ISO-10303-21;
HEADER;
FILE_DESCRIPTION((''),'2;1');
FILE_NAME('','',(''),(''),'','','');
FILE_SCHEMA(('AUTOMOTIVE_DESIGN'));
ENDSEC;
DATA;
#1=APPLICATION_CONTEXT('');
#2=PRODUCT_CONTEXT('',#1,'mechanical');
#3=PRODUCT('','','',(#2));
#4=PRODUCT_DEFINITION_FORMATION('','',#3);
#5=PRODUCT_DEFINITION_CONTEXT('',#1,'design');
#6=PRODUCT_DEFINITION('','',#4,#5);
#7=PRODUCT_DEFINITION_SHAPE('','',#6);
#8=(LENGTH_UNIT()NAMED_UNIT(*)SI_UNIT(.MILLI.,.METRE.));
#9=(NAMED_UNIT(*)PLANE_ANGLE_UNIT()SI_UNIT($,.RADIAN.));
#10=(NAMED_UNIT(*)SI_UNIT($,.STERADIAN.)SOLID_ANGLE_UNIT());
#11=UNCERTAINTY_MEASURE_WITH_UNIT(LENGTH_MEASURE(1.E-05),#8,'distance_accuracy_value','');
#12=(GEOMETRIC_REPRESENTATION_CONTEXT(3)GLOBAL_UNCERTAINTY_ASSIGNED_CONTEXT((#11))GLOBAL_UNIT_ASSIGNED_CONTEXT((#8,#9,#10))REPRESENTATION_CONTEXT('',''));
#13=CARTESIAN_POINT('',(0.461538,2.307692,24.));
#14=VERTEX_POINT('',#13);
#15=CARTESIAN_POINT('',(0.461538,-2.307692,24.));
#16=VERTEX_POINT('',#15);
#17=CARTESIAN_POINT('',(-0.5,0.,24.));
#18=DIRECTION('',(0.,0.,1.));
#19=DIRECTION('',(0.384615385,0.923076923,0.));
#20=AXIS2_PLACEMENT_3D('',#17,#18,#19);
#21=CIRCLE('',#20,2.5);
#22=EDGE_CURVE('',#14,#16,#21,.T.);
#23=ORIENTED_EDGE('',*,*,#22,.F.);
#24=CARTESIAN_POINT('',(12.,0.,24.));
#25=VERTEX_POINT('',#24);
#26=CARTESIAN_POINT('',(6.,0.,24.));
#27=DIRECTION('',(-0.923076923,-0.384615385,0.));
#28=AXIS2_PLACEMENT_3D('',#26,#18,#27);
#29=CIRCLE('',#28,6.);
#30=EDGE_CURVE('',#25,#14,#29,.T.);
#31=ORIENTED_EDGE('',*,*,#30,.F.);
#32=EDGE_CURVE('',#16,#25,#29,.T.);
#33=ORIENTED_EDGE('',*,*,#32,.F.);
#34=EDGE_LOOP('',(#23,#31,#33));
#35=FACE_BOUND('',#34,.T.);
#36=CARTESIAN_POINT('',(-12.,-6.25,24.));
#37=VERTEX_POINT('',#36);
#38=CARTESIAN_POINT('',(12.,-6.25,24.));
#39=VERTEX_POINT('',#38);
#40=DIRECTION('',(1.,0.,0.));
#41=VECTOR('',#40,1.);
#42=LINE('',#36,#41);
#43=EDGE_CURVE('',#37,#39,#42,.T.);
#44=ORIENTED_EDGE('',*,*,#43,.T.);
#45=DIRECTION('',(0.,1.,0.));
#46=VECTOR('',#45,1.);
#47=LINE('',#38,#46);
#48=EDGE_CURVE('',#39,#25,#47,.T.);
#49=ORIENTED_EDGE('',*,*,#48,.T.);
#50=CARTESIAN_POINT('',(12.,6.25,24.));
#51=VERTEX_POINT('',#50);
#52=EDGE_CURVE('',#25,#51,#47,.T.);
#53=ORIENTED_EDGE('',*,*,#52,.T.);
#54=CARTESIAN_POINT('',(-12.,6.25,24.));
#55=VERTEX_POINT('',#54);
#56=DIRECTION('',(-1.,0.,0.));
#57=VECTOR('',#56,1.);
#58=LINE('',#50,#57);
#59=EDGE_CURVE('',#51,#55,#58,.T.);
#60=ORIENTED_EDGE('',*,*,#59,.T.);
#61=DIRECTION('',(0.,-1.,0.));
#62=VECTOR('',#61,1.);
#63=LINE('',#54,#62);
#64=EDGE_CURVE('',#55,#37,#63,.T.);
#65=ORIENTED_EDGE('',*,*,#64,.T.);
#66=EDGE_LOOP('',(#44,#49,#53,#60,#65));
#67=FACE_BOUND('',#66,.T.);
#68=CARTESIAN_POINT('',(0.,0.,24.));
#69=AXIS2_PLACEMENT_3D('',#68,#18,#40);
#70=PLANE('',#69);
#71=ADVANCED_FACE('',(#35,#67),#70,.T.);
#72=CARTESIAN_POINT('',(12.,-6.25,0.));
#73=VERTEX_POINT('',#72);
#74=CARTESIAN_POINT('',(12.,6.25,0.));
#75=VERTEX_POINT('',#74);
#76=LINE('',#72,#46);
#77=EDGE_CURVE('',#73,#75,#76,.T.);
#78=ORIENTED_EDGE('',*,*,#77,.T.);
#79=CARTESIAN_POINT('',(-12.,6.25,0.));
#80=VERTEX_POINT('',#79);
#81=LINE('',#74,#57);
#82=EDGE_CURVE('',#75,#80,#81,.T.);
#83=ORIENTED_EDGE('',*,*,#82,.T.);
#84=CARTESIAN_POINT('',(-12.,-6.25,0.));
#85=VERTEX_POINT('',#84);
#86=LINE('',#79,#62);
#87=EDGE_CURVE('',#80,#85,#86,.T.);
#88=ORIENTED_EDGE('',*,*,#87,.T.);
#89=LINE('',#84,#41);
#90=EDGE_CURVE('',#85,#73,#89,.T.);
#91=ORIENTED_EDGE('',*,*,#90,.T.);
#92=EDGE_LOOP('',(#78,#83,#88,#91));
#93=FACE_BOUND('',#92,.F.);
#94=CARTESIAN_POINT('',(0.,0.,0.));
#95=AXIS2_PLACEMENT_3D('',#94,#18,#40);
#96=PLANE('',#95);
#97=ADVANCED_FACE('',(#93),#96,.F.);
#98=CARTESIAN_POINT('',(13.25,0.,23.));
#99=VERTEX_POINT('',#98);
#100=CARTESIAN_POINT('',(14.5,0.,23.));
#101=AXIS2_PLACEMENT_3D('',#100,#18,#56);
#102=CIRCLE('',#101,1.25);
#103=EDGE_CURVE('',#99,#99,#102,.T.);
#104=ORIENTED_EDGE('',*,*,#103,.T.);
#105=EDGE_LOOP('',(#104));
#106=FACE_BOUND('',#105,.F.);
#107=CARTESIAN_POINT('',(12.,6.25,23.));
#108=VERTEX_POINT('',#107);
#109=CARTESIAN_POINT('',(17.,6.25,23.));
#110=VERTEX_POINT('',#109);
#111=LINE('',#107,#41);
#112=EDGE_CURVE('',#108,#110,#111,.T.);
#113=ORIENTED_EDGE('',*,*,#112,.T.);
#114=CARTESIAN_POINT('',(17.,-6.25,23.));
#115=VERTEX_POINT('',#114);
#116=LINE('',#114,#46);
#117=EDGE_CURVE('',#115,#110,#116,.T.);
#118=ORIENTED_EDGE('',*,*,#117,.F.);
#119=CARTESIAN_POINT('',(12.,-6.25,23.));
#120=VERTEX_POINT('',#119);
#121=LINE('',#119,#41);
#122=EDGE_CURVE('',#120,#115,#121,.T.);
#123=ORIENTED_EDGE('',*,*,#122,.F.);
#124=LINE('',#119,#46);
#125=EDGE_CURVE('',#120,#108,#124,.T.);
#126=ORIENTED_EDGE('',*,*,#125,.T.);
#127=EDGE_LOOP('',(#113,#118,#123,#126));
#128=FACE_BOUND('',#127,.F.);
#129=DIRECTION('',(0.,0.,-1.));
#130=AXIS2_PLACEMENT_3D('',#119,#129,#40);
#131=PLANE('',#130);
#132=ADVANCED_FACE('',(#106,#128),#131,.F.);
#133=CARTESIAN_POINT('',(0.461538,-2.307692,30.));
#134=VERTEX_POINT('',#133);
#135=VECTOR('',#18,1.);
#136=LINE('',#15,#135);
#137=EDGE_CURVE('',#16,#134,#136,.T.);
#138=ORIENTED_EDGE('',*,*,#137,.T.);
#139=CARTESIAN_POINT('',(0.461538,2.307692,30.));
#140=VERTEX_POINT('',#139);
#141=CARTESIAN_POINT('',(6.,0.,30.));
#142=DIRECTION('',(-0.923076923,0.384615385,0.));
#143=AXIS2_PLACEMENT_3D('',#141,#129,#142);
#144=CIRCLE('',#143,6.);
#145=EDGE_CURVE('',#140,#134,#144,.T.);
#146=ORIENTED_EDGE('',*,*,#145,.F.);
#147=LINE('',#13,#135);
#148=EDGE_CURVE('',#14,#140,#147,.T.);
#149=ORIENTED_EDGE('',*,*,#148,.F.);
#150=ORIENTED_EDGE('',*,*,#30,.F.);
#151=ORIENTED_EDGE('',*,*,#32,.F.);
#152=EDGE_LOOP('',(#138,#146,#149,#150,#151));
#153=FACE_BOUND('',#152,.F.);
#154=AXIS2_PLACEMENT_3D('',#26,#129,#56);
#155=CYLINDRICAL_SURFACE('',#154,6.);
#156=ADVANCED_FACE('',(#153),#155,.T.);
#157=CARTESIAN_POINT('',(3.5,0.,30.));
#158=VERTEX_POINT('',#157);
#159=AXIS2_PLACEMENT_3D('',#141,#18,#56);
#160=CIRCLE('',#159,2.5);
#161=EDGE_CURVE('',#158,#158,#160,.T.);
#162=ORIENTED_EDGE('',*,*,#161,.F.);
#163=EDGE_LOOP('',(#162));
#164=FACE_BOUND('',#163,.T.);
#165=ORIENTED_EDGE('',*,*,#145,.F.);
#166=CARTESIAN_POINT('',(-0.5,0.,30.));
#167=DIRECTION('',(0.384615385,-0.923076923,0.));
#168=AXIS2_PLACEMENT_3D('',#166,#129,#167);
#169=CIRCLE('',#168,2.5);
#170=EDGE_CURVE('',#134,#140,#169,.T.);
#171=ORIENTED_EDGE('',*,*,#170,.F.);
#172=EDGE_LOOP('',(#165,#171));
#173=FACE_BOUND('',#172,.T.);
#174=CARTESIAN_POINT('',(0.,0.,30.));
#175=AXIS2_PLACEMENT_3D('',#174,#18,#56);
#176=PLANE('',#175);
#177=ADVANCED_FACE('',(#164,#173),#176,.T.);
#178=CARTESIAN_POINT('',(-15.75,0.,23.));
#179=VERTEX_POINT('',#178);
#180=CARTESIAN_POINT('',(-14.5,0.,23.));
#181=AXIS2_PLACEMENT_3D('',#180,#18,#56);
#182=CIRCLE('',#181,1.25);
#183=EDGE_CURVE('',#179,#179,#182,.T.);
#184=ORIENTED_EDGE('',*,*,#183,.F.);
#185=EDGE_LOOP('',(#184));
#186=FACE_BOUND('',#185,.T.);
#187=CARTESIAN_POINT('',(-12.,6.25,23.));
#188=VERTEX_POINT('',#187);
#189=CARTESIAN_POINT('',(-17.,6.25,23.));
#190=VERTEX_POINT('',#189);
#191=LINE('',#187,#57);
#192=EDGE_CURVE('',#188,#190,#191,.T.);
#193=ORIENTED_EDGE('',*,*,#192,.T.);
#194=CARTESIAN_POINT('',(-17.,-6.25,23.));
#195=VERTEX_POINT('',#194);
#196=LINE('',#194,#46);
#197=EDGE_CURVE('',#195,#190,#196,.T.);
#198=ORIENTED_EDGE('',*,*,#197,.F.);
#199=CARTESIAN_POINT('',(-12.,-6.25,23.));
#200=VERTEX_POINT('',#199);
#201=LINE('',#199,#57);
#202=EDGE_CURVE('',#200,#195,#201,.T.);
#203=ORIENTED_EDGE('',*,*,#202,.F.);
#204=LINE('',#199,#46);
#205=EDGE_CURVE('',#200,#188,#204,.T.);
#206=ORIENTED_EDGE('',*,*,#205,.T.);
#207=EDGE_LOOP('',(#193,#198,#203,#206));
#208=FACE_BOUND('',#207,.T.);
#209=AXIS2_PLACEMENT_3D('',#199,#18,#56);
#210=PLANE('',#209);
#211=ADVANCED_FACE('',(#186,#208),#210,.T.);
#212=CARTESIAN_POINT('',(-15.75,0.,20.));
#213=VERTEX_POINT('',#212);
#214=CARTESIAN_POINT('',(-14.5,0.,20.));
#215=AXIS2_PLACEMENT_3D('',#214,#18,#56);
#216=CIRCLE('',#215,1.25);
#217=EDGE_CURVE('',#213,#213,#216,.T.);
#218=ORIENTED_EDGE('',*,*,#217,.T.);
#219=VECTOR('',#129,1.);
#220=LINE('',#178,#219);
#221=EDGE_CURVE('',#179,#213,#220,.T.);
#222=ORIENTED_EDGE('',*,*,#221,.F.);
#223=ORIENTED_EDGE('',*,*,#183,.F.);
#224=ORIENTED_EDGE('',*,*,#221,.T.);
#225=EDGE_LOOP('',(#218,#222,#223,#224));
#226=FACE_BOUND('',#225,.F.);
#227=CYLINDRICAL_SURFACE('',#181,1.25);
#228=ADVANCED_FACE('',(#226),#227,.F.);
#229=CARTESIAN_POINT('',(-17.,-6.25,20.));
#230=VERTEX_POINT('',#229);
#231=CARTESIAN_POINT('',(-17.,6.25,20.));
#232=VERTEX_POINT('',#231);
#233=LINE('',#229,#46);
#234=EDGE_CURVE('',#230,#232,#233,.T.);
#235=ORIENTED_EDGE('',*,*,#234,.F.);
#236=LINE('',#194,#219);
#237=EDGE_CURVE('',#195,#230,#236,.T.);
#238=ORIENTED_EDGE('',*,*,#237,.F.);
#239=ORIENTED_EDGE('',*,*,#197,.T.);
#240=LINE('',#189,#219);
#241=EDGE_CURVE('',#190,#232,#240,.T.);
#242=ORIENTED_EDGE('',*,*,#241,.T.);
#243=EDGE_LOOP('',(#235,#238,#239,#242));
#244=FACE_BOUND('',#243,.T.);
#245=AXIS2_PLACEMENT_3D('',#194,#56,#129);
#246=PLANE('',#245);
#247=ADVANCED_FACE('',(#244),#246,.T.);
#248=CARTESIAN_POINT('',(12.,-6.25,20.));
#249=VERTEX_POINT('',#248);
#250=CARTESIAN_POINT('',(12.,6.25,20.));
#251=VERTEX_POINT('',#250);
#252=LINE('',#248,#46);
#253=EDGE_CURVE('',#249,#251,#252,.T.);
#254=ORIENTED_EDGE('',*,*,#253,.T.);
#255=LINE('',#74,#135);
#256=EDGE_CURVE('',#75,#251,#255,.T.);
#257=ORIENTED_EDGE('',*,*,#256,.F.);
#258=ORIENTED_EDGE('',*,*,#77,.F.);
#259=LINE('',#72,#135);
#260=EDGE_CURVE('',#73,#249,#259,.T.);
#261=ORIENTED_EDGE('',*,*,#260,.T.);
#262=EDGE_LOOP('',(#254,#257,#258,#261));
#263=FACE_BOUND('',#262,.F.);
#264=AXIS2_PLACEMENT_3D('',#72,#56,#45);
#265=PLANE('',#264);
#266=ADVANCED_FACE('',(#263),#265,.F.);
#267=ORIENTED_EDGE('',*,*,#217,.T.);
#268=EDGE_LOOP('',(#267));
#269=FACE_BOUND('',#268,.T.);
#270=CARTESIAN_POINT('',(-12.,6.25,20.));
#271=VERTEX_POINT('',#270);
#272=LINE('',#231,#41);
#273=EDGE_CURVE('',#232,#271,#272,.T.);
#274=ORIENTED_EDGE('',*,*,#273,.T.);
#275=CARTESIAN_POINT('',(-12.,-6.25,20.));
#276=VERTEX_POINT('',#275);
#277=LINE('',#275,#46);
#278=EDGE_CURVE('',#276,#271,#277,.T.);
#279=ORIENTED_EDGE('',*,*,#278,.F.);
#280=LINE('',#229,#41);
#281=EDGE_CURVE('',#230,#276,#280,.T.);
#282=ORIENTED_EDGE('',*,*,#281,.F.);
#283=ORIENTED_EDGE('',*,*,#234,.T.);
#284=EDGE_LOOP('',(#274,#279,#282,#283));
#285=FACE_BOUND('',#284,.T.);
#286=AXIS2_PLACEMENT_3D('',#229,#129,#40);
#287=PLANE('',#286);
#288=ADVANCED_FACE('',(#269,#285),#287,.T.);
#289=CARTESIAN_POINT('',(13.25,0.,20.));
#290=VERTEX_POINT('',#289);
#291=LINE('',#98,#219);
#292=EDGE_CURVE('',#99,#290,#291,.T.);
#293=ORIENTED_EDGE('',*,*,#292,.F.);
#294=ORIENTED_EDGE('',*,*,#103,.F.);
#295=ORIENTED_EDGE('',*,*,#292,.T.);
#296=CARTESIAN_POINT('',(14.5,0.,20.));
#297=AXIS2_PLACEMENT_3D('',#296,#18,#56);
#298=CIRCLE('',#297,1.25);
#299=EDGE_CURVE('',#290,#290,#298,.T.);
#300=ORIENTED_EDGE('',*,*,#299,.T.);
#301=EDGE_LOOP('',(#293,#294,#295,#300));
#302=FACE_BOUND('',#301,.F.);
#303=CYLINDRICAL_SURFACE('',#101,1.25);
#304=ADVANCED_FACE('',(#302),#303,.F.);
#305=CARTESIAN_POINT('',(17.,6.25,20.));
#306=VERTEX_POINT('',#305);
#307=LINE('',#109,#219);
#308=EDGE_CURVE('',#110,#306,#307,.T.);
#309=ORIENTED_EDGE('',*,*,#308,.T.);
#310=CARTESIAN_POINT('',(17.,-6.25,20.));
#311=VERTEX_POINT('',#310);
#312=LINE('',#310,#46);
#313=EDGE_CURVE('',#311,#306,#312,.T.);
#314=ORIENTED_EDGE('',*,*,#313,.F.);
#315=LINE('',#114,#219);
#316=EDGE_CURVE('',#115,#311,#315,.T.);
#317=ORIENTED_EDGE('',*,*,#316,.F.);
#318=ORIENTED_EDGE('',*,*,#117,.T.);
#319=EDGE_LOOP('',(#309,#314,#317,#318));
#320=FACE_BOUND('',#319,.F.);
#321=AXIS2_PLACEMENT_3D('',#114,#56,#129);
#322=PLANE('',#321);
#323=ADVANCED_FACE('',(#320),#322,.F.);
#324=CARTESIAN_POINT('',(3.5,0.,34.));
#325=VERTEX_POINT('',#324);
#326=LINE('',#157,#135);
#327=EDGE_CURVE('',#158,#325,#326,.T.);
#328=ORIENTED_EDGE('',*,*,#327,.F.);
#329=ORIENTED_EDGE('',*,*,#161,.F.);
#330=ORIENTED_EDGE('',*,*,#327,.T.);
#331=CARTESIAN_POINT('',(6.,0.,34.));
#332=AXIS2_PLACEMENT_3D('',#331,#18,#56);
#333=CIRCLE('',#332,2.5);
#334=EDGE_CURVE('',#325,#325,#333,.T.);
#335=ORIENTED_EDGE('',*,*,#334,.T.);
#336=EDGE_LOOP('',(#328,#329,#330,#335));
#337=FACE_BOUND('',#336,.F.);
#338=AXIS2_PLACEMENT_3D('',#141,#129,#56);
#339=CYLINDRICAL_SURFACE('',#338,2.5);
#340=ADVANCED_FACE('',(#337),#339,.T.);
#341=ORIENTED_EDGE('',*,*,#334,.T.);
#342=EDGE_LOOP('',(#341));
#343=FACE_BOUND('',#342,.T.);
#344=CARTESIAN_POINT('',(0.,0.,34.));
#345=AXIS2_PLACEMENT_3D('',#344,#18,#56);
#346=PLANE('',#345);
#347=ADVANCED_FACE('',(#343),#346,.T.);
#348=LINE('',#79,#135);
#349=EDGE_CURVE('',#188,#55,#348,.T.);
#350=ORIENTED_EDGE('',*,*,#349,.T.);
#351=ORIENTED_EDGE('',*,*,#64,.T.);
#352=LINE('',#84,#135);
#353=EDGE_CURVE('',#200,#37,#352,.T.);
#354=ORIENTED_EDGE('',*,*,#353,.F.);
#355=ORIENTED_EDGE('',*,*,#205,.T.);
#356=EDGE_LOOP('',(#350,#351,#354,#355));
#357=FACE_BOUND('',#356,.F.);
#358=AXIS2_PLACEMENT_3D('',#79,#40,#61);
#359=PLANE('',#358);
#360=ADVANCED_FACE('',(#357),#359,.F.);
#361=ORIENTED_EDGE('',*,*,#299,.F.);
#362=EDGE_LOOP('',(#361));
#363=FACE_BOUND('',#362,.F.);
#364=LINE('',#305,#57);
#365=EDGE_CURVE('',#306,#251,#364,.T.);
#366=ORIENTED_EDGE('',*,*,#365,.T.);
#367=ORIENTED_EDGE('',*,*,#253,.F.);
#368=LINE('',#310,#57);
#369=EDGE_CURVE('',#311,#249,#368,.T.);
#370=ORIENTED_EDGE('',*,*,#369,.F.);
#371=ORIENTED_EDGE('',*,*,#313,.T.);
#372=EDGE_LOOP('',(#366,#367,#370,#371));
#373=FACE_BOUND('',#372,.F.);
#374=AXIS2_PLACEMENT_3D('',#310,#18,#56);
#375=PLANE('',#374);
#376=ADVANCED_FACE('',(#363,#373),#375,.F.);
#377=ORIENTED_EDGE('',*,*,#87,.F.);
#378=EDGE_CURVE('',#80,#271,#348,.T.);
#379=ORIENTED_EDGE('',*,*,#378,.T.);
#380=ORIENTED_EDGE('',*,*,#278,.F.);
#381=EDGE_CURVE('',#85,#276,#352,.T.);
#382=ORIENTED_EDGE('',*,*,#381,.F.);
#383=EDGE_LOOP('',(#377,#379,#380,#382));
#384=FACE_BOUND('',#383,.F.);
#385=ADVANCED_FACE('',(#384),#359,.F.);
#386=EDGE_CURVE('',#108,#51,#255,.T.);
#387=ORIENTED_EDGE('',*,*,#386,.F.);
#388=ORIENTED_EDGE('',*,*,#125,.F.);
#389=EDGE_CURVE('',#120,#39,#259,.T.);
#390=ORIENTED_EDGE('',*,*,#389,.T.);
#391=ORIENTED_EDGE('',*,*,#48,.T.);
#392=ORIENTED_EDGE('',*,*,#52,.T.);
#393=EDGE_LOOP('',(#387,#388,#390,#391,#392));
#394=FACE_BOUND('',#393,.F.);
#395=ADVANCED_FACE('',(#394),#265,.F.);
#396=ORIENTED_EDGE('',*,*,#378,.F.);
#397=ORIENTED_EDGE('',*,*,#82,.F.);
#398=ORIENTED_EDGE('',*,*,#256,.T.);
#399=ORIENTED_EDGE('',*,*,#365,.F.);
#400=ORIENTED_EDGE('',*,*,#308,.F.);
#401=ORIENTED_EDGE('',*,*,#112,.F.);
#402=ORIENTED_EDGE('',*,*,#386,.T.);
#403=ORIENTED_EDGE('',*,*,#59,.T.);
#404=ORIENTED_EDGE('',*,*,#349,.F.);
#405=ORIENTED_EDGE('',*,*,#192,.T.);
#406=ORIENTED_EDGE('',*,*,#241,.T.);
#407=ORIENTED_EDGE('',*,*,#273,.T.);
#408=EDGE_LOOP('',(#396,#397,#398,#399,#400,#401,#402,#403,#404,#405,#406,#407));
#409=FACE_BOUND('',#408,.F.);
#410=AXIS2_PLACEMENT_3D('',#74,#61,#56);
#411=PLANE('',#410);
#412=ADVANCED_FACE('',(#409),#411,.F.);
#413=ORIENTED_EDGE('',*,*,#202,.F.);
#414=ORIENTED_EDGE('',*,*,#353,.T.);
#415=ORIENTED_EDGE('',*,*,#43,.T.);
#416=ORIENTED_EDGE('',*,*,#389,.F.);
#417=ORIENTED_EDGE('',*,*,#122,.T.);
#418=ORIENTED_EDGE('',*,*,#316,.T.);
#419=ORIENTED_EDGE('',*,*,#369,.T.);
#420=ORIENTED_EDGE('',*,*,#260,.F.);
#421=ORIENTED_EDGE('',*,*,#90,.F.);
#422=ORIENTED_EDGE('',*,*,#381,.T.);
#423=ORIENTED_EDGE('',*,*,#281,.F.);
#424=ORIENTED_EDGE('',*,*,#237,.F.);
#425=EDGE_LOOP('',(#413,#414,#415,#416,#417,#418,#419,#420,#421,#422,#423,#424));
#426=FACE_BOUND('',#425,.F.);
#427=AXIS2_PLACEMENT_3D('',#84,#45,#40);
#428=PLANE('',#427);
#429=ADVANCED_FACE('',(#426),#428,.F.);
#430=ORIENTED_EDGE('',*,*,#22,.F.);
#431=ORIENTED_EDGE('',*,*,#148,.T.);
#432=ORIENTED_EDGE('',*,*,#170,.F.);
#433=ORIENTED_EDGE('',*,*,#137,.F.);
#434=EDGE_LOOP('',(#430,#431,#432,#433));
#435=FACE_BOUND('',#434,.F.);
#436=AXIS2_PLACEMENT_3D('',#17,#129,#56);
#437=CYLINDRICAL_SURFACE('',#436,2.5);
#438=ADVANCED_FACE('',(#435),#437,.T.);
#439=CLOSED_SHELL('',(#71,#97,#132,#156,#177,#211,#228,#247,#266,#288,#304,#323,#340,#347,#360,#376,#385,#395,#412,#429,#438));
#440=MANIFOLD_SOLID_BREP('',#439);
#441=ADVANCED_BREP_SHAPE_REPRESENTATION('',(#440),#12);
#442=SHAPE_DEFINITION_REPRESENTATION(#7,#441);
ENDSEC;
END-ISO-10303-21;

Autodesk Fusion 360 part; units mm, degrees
sketch "Sketch1" plane through (0, 0, 0) normal (0, 0, 1) x (1, 0, 0)
  line L0 (12, 6.25) -> (-12, 6.25)
  line L1 (-12, 6.25) -> (-12, -6.25)
  line L2 (-12, -6.25) -> (12, -6.25)
  line L3 (12, -6.25) -> (12, 6.25)
  line L4 (12, 6.25) -> (-12, -6.25) construction
  line L5 (-12, 6.25) -> (12, -6.25) construction
  line L6 (12, 6.25) -> (17, 6.25)
  line L7 (17, 6.25) -> (17, -6.25)
  line L8 (12, -6.25) -> (17, -6.25)
  line L9 (-12, 6.25) -> (-17, 6.25)
  line L10 (-17, 6.25) -> (-17, -6.25)
  line L11 (-17, -6.25) -> (-12, -6.25)
  dimension "d1" = 24
  dimension "d2" = 12.5
  dimension "d3" = 5
  dimension "d4" = 5
extrude "Extrude1" add sketch "Sketch1" along normal blind 24 contours L0 L1 L2 L3
sketch "Sketch2" plane through (0, -6.25, 0) normal (0, -1, 0) x (1, 0, 0)
  line L0 (-12, 0) -> (12, 0)
  line L1 (12, 0) -> (12, 24)
  line L2 (12, 24) -> (-12, 24)
  line L3 (-12, 24) -> (-12, 0)
  line L4 (12, 24) -> (12, 23)
  line L5 (12, 23) -> (17, 23)
  line L6 (17, 23) -> (17, 20)
  line L7 (17, 20) -> (12, 20)
  line L8 (-12, 24) -> (-12, 23)
  line L9 (-12, 23) -> (-17, 23)
  line L10 (-17, 23) -> (-17, 20)
  line L11 (-17, 20) -> (-12, 20)
  dimension "d7" = 1
  dimension "d8" = 5
  dimension "d9" = 3
  dimension "d10" = 1
  dimension "d11" = 5
  dimension "d12" = 3
extrude "Extrude2" add sketch "Sketch2" against normal up to surface (12.5 mm away) contours L3 L9 L10 L11 | L1 L5 L6 L7
sketch "Sketch3" plane through (0, 0, 24) normal (0, 0, 1) x (-1, 0, 0)
  line L0 (-12, 6.25) -> (-12, -6.25)
  line L1 (-12, -6.25) -> (12, -6.25)
  line L2 (12, -6.25) -> (12, 6.25)
  line L3 (12, 6.25) -> (-12, 6.25)
  circle A0 centre (-6, 0) radius 6
  circle A1 centre (0.5, 0) radius 2.5
  dimension "d15" = 12
  dimension "d16" = 5
  dimension "d17" = 6.5
extrude "Extrude3" add sketch "Sketch3" along normal blind 6 contours A0 A1 | A0 A1 | A0 A1
sketch "Sketch4" plane through (0, 0, 30) normal (0, 0, 1) x (-1, 0, 0)
  arc A0 (-0.4615, -2.3077) -> (-0.4615, 2.3077) centre (0.5, 0) ccw
  arc A1 (-0.4615, 2.3077) -> (-0.4615, -2.3077) centre (-6, 0) ccw
  circle A2 centre (-6, 0) radius 2.5
  dimension "d20" = 5
extrude "Extrude4" add sketch "Sketch4" along normal blind 4 contours A2
sketch "Sketch5" plane through (0, 0, 23) normal (0, 0, 1) x (-1, 0, 0)
  line L0 (-17, -6.25) -> (-12, -6.25)
  line L1 (-12, -6.25) -> (-12, 6.25)
  line L2 (-12, 6.25) -> (-17, 6.25)
  line L3 (-17, 6.25) -> (-17, -6.25)
  circle A0 centre (-14.5, 0) radius 1.25
  dimension "d23" = 2.5
  dimension "d24" = 2.5
sketch "Sketch6" plane through (0, 0, 23) normal (0, 0, 1) x (-1, 0, 0)
  line L0 (12, -6.25) -> (17, -6.25)
  line L1 (17, -6.25) -> (17, 6.25)
  line L2 (17, 6.25) -> (12, 6.25)
  line L3 (12, 6.25) -> (12, -6.25)
  circle A0 centre (14.5, 0) radius 1.25
  dimension "d25" = 2.5
  dimension "d26" = 2.5
extrude "Extrude5" cut sketch "Sketch6" sketch "Sketch5" against normal blind 3 contours A0 of sketch 2 contours A0
